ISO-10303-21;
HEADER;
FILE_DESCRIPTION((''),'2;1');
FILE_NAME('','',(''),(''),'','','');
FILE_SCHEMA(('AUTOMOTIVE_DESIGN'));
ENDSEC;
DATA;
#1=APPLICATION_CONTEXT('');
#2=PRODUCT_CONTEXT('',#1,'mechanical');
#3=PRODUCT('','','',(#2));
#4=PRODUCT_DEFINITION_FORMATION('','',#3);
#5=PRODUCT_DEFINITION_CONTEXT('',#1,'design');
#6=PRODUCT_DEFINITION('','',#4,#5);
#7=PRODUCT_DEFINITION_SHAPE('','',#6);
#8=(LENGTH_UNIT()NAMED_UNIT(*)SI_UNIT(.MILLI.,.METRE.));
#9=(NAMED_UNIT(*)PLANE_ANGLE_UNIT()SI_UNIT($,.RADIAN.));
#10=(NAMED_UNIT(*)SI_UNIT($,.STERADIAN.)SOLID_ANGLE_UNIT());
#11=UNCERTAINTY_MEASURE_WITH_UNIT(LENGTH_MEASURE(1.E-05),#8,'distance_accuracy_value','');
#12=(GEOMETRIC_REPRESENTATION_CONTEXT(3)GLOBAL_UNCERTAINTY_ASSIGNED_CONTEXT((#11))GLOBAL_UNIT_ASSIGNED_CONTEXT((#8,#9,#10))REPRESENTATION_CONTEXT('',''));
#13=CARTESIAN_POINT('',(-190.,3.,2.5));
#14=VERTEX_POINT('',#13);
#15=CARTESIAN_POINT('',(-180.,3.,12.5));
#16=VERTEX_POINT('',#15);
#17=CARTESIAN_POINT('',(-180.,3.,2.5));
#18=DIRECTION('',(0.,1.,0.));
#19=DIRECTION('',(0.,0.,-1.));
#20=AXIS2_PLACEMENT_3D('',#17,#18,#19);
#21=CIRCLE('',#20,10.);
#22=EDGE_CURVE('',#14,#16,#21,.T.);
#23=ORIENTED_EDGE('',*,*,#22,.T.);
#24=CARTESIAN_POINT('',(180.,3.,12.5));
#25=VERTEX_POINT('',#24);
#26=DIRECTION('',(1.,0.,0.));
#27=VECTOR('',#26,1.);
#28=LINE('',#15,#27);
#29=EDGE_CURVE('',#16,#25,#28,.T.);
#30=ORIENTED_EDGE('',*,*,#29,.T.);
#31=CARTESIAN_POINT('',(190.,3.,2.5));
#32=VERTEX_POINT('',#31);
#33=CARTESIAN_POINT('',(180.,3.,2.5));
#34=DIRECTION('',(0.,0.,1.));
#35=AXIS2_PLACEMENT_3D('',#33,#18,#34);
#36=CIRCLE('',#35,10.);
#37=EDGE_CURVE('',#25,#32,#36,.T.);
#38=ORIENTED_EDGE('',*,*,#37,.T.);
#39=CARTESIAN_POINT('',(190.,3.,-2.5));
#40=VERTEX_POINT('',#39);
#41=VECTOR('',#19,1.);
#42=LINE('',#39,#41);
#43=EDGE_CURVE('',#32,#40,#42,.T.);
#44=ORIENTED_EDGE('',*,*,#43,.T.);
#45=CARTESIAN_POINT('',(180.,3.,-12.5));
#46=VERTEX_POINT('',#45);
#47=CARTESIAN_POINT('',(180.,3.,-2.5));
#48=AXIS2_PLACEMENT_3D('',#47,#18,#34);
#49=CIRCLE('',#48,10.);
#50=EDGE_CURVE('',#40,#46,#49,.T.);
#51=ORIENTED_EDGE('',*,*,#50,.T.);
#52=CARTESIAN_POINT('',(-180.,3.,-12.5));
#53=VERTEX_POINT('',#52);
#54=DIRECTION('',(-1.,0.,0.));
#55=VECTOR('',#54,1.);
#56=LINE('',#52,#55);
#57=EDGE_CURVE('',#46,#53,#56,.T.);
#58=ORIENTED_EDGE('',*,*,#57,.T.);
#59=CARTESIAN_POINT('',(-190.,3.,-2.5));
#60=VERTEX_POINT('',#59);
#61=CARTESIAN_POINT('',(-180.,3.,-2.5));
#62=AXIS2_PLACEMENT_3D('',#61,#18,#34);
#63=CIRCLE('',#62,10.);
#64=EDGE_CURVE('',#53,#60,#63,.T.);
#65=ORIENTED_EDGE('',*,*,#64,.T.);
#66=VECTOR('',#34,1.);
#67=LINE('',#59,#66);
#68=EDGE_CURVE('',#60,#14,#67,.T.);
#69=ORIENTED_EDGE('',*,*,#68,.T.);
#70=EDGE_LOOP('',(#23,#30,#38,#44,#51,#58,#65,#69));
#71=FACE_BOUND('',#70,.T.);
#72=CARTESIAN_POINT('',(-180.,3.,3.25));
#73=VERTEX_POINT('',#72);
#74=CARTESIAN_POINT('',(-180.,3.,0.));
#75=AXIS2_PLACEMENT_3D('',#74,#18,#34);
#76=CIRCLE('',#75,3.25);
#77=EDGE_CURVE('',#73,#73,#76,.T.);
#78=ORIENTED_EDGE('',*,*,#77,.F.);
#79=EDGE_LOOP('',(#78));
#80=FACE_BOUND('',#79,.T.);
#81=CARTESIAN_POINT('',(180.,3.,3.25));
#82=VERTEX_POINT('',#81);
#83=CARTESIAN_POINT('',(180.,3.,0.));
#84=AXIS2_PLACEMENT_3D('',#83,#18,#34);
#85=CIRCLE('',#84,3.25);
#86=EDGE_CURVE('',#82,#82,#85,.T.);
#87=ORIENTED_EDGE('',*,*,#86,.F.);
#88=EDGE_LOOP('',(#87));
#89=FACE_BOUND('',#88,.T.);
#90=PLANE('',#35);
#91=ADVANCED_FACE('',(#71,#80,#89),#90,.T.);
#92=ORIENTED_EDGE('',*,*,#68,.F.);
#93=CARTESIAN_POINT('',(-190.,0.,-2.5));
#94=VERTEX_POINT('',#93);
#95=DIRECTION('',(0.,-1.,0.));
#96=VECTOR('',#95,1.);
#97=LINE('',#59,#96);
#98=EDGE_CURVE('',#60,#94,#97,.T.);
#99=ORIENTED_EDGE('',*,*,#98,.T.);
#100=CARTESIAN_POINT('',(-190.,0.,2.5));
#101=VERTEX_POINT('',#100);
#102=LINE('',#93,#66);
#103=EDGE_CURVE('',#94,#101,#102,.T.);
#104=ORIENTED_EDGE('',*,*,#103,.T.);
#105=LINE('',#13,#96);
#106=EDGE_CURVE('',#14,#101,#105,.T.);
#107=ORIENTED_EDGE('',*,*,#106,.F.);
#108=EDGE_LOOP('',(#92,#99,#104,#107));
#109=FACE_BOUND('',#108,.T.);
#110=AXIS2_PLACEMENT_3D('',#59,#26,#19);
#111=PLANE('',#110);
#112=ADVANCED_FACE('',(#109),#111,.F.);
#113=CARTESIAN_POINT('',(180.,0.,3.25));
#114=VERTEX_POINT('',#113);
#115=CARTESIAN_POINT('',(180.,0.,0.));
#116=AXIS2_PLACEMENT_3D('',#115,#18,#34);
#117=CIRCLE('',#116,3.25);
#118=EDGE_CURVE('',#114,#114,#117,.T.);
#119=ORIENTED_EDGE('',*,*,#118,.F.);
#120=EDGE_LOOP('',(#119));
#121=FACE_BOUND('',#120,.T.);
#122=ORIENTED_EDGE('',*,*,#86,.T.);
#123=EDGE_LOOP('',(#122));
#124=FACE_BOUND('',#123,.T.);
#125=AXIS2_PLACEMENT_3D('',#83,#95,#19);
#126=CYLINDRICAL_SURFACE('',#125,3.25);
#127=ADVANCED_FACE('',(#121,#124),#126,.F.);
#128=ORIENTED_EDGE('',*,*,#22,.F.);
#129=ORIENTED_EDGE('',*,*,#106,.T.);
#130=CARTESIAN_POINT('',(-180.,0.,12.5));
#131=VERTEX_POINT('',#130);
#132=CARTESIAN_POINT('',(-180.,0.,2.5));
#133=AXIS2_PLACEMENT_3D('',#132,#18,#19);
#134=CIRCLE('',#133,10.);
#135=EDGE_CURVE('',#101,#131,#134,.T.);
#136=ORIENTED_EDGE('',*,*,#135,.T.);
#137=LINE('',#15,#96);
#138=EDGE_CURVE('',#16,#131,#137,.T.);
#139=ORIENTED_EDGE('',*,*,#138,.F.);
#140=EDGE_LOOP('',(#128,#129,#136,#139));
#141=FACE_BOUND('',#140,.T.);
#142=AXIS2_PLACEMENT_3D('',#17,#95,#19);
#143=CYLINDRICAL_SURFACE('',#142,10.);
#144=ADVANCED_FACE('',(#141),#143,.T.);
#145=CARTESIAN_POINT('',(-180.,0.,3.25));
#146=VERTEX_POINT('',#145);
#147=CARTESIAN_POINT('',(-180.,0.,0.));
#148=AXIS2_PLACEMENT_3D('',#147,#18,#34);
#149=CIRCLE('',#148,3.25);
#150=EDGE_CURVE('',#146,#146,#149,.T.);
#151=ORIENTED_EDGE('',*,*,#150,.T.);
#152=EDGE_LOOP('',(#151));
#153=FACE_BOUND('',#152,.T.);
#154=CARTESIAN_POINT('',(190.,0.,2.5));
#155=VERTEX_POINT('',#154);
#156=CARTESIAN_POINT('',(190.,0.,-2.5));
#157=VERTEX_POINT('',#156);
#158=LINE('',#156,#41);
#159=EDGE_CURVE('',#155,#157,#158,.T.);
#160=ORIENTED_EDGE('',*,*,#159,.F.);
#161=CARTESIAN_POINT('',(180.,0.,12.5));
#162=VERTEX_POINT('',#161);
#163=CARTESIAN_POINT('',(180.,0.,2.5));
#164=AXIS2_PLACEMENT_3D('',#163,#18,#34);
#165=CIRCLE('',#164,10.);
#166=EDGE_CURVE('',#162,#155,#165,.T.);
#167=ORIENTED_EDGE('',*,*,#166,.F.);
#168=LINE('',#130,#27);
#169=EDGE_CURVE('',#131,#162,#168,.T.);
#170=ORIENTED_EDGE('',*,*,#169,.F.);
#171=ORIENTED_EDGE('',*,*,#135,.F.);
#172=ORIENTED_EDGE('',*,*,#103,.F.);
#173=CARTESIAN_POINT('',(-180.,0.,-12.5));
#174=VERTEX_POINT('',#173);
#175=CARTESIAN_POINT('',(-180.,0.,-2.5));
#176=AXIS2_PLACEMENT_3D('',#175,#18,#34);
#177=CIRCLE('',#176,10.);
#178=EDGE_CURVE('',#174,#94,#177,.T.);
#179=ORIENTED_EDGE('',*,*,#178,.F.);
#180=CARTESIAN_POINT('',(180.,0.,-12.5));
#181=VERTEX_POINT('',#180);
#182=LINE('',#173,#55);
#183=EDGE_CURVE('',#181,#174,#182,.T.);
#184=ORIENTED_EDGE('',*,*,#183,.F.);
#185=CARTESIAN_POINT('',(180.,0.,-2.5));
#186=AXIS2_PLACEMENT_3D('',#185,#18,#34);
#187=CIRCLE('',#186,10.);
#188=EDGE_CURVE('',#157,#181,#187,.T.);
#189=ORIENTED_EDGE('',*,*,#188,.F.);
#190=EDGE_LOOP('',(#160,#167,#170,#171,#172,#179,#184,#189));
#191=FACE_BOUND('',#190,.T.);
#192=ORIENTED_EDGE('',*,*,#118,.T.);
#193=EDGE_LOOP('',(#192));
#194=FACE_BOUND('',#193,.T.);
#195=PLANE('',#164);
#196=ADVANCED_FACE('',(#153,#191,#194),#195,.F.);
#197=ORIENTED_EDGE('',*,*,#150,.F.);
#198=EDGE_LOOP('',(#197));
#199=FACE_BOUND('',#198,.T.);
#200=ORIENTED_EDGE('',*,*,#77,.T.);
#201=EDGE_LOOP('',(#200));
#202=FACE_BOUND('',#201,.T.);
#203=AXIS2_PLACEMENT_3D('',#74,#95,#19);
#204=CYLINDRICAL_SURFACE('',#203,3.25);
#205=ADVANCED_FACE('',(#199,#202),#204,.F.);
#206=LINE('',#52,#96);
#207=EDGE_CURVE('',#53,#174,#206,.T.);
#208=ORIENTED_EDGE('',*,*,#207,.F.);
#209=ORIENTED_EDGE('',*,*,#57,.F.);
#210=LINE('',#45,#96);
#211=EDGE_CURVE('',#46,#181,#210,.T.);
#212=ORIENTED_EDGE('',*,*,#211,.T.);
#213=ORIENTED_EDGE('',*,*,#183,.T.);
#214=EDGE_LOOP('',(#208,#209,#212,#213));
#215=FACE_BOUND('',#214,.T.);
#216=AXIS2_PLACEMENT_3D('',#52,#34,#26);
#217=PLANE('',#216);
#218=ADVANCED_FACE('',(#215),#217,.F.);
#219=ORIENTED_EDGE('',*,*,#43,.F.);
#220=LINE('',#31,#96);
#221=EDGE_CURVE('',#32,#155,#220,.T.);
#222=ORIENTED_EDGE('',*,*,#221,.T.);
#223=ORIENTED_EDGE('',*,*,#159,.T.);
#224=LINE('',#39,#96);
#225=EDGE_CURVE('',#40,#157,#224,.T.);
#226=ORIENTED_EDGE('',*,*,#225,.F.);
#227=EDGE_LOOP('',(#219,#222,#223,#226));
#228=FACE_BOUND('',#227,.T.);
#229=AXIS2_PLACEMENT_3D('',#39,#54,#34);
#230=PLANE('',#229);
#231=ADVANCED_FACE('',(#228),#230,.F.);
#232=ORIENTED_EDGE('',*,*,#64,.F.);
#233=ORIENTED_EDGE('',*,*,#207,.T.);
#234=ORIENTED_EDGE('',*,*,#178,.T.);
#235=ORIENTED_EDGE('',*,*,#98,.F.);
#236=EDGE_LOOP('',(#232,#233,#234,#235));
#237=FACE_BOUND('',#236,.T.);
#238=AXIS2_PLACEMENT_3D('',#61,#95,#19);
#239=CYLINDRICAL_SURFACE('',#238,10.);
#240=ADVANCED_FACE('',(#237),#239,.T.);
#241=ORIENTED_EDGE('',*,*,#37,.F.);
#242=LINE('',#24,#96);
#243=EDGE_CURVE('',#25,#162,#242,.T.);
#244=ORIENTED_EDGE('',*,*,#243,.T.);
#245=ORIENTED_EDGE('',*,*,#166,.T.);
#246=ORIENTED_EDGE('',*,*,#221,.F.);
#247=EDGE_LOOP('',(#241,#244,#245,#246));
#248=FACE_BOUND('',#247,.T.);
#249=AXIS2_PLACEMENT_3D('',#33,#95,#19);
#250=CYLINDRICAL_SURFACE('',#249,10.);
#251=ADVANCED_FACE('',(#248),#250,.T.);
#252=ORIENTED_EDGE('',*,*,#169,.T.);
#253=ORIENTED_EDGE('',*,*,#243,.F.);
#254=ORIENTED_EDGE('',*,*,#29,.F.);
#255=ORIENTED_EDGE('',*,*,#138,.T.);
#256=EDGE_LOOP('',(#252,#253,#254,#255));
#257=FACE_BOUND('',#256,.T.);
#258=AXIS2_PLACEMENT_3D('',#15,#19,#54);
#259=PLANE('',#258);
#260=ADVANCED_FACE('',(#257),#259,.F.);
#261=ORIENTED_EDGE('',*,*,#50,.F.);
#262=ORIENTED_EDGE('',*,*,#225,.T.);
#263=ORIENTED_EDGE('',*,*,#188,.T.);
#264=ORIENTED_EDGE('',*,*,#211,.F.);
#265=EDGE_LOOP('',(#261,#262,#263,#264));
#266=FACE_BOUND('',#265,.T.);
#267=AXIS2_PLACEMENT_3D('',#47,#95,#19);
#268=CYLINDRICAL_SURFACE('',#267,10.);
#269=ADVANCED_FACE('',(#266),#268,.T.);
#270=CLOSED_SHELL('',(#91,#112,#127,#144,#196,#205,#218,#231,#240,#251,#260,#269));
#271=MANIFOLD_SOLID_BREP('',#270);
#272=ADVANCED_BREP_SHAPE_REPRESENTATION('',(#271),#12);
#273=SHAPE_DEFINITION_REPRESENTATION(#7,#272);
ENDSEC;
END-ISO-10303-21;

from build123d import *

# Parameters (mm, degrees)
SKETCH1_R           = 3.25
BOSS_EXTRUDE1_DEPTH = 3


with BuildPart() as part:
    # Sketch1 → Boss-Extrude1 (new body)
    with BuildSketch(Plane(origin=(0, 0, 0), x_dir=(1, 0, 0), z_dir=(0, 1, 0))):
        with BuildLine():
            Line((-180, 12.5), (180, 12.5))
            ThreePointArc((180, 12.5), (187.071067812, 9.571067812), (190, 2.5))
            Line((190, 2.5), (190, -2.5))
            ThreePointArc((190, -2.5), (187.071067812, -9.571067812), (180, -12.5))
            Line((180, -12.5), (-180, -12.5))
            ThreePointArc((-180, -12.5), (-187.071067812, -9.571067812), (-190, -2.5))
            Line((-190, -2.5), (-190, 2.5))
            ThreePointArc((-190, 2.5), (-187.071067812, 9.571067812), (-180, 12.5))
        make_face()
        with Locations((-180, 0)):
            Circle(SKETCH1_R, mode=Mode.SUBTRACT)
        with Locations((180, 0)):
            Circle(SKETCH1_R, mode=Mode.SUBTRACT)
    extrude(amount=BOSS_EXTRUDE1_DEPTH)


solid = part.part
